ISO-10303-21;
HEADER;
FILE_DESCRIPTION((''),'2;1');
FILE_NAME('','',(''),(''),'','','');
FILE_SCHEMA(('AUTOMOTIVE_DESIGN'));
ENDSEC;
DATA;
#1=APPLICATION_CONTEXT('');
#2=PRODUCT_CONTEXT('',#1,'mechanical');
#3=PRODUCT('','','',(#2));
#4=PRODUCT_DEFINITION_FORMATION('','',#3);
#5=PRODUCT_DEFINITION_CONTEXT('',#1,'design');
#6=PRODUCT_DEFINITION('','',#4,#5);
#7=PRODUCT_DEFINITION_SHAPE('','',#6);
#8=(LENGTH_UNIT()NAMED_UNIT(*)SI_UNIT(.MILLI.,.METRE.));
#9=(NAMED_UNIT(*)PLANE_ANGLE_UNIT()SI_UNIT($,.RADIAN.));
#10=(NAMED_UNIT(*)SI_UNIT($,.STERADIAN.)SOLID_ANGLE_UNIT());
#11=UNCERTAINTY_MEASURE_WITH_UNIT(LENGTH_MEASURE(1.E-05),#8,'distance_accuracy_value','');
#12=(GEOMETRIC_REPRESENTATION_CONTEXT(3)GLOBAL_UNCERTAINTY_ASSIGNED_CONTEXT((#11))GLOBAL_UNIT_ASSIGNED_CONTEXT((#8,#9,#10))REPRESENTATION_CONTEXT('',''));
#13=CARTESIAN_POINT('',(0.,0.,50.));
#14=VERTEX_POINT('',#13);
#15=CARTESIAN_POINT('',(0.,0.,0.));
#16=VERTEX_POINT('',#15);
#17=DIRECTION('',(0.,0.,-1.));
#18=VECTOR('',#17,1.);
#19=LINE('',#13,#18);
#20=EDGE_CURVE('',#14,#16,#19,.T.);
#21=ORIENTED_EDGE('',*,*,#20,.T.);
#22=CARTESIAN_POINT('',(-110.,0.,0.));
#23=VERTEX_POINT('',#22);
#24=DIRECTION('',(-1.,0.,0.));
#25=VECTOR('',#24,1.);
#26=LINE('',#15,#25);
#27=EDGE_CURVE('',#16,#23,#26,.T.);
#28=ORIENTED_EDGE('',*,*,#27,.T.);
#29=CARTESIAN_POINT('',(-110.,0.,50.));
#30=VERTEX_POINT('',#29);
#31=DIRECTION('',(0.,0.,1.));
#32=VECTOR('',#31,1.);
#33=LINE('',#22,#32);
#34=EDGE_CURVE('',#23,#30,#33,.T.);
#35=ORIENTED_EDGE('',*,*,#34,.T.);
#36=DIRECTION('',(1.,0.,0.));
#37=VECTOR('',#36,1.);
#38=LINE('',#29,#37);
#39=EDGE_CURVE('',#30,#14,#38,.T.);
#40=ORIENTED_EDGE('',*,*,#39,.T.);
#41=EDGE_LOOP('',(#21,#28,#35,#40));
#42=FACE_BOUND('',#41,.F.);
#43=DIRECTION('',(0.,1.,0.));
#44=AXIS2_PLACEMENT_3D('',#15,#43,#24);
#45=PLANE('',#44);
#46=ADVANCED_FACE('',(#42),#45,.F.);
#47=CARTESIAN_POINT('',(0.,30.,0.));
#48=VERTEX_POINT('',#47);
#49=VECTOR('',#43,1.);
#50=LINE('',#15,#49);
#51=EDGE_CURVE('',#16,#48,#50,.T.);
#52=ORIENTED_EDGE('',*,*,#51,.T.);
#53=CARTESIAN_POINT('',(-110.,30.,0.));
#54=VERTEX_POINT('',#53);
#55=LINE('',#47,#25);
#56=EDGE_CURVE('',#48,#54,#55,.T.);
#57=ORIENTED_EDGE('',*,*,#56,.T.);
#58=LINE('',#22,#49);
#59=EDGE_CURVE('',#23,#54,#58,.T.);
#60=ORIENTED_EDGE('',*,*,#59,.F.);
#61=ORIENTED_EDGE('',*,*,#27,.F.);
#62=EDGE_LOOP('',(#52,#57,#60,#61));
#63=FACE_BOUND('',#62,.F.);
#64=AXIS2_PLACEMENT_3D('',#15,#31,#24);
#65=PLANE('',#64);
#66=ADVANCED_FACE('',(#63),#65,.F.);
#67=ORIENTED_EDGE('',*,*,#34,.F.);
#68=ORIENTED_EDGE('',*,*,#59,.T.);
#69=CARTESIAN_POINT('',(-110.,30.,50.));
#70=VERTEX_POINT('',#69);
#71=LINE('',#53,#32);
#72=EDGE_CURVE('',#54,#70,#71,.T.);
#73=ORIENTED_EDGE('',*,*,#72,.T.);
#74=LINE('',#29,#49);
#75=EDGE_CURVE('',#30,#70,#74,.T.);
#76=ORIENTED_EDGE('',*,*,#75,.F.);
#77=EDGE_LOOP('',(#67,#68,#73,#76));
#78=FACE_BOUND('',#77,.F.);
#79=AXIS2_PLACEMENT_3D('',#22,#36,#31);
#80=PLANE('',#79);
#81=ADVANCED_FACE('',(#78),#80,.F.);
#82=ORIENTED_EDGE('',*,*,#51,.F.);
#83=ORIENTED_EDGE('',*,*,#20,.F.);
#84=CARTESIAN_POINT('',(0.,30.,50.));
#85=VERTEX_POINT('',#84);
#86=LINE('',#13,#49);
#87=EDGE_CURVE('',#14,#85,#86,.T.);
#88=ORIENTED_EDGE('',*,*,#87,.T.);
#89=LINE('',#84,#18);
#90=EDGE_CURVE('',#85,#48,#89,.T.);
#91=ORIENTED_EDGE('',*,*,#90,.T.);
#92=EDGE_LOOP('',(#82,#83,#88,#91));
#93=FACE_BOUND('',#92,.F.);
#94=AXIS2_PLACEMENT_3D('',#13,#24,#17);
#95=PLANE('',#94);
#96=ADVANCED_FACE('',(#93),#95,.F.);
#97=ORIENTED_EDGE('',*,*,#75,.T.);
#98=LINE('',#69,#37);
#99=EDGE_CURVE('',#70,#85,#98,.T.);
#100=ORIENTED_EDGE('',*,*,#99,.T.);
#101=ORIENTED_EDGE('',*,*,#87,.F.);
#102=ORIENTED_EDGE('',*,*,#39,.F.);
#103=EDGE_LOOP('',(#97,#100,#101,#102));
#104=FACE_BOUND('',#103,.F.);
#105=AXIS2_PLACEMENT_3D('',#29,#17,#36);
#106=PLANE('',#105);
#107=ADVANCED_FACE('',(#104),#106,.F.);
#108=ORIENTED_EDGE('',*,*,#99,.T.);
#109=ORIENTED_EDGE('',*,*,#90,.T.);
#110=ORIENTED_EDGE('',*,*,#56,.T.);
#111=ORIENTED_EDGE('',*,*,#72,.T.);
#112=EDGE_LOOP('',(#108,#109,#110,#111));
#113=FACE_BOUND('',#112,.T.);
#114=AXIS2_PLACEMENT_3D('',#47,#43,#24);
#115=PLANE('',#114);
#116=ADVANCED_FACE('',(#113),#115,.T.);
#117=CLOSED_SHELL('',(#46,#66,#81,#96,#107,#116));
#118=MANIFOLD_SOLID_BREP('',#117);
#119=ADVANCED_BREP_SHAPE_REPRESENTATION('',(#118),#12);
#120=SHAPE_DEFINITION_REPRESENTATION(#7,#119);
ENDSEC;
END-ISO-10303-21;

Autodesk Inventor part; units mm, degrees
ref_plane "YZ Plane" through (0, 0, 0) normal (1, 0, 0) x (0, 1, 0)
ref_plane "XZ Plane" through (0, 0, 0) normal (0, 1, 0) x (-1, 0, 0)
ref_plane "XY Plane" through (0, 0, 0) normal (0, 0, 1) x (1, 0, 0)
sketch "Sketch1" plane through (0, 0, 0) normal (0, 1, 0) x (-1, 0, 0)
  line L0 (0, 0) -> (110, 0)
  line L1 (110, 0) -> (110, 50)
  line L2 (110, 50) -> (0, 50)
  line L3 (0, 50) -> (0, 0)
  dimension "d0" = 110
  dimension "d1" = 50
extrude "Extrusion1" add sketch "Sketch1" along normal blind 30
sketch "Sketch2" plane through (0, 0, 0) normal (0, -1, 0) x (1, 0, 0)
  line L0 (-110, 50) -> (0, 50) projected
  line L1 (-55, 50) -> (-55, 0)
  line L2 (0, 0) -> (-110, 0) projected
properties part number "brick" material "Iron, Gray"
